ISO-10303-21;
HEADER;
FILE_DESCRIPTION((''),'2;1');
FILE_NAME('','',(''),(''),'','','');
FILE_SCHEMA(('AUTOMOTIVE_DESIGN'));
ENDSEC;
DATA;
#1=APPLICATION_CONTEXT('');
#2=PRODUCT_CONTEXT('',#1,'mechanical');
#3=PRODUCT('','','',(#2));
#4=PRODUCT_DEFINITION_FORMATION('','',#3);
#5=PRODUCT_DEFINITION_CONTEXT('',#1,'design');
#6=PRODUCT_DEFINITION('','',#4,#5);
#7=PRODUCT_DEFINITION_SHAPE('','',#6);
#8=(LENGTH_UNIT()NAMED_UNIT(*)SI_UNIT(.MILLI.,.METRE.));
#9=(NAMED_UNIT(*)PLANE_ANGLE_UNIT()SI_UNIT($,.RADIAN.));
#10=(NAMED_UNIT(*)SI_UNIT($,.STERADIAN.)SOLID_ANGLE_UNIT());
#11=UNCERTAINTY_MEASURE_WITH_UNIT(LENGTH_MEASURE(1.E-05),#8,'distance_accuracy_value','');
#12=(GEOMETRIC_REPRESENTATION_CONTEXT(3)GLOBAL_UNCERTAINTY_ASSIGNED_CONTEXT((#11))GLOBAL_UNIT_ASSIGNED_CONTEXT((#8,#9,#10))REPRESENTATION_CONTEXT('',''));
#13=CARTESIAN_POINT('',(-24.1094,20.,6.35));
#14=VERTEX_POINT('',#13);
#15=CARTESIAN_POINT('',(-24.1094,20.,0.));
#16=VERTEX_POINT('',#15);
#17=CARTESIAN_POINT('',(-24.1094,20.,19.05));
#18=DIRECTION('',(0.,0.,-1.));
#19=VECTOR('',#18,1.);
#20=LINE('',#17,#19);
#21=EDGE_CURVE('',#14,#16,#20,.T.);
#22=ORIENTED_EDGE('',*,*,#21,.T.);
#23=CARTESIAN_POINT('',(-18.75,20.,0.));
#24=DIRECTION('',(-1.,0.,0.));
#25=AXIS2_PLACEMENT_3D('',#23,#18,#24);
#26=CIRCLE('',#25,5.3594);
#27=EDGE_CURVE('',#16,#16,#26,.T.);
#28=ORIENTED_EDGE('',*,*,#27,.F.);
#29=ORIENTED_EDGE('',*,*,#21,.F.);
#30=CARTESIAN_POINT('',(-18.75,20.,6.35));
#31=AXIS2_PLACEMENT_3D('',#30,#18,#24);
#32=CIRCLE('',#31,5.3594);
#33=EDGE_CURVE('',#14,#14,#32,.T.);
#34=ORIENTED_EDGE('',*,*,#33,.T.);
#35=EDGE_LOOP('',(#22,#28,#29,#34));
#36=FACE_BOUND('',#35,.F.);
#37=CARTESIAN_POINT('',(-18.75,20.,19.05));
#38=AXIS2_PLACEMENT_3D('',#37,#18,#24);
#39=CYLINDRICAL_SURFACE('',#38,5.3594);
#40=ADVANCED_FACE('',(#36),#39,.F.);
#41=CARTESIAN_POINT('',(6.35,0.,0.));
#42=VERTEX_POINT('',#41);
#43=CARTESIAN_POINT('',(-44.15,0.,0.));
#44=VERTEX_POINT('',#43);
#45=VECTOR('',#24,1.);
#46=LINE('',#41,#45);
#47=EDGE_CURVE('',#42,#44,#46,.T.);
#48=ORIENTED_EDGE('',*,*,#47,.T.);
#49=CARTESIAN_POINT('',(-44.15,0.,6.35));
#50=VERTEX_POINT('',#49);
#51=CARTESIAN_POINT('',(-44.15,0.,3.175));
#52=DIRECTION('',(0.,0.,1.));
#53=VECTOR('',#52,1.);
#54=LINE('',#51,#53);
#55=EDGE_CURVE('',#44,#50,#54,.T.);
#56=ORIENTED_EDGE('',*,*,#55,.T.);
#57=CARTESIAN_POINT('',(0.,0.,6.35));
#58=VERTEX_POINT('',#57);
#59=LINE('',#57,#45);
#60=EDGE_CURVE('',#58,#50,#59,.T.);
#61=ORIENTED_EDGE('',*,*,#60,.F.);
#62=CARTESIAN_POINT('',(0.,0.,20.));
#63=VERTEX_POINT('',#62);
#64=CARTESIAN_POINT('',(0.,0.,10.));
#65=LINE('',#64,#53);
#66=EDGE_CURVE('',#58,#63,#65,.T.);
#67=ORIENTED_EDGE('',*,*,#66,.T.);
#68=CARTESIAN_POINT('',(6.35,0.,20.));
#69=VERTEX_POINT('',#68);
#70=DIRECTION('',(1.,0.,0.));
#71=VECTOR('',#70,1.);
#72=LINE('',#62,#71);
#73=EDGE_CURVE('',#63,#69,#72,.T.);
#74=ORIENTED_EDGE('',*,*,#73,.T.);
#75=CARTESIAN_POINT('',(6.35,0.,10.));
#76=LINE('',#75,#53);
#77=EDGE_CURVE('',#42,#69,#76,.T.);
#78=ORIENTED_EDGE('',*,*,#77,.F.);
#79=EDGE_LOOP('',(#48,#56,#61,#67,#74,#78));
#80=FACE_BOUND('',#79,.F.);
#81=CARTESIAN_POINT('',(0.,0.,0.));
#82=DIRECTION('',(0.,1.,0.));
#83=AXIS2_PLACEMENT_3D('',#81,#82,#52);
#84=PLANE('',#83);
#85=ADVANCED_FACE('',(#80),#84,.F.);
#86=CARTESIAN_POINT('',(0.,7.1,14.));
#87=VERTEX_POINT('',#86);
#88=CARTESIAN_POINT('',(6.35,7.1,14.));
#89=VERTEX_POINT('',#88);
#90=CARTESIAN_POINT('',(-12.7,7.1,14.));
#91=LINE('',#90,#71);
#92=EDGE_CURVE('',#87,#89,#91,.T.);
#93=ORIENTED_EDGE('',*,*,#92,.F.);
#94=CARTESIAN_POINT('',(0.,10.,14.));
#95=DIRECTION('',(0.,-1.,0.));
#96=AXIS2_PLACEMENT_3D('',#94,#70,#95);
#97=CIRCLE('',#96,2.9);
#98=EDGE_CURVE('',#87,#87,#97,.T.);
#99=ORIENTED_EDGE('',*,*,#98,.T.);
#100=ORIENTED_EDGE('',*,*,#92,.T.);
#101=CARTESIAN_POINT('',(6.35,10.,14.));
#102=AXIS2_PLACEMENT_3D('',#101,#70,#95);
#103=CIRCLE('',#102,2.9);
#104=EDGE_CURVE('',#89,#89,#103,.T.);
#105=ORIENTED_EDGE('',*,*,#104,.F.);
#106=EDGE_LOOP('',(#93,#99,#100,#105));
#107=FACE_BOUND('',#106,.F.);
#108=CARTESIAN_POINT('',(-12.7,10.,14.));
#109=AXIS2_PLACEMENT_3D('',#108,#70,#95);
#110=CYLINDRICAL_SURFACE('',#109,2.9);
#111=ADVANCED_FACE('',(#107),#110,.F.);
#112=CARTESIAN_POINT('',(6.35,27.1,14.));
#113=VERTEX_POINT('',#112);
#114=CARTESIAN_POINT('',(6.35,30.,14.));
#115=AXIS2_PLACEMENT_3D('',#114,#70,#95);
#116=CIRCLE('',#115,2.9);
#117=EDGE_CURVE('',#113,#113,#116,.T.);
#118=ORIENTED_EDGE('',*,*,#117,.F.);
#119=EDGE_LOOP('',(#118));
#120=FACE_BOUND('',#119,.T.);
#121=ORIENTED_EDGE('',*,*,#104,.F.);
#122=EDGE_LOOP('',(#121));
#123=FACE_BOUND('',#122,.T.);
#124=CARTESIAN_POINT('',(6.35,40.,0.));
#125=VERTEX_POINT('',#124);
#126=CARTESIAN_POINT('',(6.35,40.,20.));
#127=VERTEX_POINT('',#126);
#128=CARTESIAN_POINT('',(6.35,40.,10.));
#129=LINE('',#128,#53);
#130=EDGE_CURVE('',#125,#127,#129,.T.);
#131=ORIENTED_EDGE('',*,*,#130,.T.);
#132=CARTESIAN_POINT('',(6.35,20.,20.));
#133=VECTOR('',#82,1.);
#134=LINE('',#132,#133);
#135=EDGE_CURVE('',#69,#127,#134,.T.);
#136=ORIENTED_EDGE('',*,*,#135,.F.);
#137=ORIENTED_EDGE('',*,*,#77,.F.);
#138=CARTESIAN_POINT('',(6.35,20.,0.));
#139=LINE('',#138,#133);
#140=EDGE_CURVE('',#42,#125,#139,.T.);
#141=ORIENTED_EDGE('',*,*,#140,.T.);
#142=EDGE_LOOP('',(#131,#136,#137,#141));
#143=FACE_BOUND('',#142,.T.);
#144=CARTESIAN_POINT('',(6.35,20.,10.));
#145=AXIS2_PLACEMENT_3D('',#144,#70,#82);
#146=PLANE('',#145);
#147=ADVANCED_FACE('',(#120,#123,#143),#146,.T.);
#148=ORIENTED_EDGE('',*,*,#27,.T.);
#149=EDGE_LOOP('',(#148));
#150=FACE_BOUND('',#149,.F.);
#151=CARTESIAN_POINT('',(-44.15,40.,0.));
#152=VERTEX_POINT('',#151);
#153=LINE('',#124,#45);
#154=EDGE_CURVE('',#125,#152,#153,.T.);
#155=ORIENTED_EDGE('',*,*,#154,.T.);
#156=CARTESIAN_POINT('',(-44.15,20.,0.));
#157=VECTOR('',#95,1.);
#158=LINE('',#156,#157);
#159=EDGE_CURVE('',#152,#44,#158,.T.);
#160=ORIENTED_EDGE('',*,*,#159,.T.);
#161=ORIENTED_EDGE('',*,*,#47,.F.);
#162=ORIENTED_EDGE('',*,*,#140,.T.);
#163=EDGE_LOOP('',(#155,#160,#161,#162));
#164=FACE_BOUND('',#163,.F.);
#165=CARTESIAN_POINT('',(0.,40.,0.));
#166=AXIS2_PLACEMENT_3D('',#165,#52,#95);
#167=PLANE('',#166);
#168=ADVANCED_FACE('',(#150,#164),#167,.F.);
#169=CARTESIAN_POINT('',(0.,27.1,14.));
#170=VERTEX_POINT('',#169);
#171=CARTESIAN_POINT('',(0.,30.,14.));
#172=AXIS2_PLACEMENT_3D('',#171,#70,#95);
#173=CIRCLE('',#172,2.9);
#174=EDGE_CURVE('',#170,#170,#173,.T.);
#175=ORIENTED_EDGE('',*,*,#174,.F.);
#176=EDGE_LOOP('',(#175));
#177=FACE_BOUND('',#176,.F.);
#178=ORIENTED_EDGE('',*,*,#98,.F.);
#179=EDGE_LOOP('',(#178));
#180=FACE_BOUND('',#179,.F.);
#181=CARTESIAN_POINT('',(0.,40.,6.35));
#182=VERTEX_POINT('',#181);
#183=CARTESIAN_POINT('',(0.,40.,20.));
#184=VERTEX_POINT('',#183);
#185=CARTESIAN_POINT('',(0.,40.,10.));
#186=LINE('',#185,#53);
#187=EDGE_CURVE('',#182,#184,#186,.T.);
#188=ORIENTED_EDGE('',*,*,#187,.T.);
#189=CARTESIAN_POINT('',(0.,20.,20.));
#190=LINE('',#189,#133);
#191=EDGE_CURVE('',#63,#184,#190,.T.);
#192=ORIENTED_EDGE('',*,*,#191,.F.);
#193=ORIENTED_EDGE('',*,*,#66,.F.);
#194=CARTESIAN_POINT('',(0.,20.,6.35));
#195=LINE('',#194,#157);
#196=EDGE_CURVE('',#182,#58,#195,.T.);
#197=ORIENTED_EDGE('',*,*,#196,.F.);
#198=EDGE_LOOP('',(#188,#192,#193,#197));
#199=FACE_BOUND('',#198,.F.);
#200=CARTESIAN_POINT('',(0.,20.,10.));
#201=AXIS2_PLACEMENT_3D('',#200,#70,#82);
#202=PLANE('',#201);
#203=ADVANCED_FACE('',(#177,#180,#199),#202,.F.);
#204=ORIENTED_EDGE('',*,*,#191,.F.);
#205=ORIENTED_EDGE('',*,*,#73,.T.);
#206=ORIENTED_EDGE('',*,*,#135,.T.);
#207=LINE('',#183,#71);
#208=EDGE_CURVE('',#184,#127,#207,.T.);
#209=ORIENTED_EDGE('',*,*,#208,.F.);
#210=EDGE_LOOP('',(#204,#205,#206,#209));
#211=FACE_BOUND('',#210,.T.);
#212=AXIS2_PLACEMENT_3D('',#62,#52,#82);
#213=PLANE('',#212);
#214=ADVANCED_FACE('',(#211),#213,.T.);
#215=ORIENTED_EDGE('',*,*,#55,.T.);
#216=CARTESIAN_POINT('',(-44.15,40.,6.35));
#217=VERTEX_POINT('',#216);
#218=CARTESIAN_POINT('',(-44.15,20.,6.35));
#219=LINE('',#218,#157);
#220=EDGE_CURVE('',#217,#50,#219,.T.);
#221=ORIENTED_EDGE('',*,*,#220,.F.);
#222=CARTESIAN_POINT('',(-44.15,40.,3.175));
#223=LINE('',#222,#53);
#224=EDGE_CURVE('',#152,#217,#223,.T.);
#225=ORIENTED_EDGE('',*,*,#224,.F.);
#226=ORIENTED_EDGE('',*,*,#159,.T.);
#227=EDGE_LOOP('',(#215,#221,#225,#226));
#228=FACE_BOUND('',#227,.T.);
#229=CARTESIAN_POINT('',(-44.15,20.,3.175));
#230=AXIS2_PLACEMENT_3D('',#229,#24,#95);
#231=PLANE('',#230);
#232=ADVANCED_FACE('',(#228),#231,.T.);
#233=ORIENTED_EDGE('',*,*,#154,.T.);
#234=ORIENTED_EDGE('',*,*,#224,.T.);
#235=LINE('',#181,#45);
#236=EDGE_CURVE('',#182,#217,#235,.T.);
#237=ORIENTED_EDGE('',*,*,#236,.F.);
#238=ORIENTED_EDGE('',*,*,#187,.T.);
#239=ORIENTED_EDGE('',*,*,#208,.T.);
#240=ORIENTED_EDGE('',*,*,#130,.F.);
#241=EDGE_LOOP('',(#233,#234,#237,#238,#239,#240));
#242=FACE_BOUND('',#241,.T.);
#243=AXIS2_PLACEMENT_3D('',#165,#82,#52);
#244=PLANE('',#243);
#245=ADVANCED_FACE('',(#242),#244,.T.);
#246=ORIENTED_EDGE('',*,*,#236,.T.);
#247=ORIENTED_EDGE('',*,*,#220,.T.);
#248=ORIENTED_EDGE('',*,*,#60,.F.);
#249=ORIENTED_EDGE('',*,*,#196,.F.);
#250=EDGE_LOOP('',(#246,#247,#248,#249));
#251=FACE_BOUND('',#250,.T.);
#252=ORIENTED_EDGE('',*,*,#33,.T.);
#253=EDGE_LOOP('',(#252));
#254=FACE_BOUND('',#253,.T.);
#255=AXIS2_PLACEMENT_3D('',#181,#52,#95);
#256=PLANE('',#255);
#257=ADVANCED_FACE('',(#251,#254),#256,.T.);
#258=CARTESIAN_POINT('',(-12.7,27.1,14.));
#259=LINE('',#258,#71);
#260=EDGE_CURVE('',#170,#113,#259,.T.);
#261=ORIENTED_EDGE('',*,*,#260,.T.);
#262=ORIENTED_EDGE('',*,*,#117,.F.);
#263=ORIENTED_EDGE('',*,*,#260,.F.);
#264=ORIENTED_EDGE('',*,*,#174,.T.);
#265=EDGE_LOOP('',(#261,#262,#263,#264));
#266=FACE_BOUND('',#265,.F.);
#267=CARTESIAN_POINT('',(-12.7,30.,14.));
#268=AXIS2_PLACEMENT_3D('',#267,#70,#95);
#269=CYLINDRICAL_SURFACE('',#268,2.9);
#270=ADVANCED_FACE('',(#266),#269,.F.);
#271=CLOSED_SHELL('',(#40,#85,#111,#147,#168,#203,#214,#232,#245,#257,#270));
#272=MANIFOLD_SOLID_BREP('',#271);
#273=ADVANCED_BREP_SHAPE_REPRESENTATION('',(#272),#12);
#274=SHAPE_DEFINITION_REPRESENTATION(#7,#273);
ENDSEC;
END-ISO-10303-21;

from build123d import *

# Parameters (mm, degrees)
F0_W     = 40
F0_H     = 20
F1_DEPTH = 6.35
F2_W     = 40
F2_H     = 6.35
F3_DEPTH = 44.15
F5_D     = 10.7188
F5_DEPTH = 12.7
F5_TIP   = 3.2202524016
F6_D     = 5.8
F6_DEPTH = 12.7
F6_TIP   = 1.7424957952


with BuildPart() as f1:
    # F0 (on Right) → F1 (new body)
    with BuildSketch(Plane.YZ):
        with Locations((20, 10)):
            Rectangle(F0_W, F0_H)
    extrude(amount=F1_DEPTH)

    # F2 (on face) → F3 (join)
    with BuildSketch(Plane(origin=(0, 0, 0), x_dir=(0, -1, 0), z_dir=(-1, 0, 0))):
        with Locations((-20, 3.175)):
            Rectangle(F2_W, F2_H)
    extrude(amount=F3_DEPTH)

    # F5
    with Locations(Plane.XY.offset(6.35)):
        with Locations((-18.75, 20)):
            Hole(F5_D / 2, depth=F5_DEPTH)
            with Locations((0, 0, -(F5_DEPTH + F5_TIP / 2))):  # 118° drill point
                Cone(0, F5_D / 2, F5_TIP, mode=Mode.SUBTRACT)

    # F6
    with Locations(Plane(origin=(0, 0, 0), x_dir=(0, 1, 0), z_dir=(-1, 0, 0))):
        with Locations((30, -14), (10, -14)):
            Hole(F6_D / 2, depth=F6_DEPTH)
            with Locations((0, 0, -(F6_DEPTH + F6_TIP / 2))):  # 118° drill point
                Cone(0, F6_D / 2, F6_TIP, mode=Mode.SUBTRACT)


solid = f1.part
